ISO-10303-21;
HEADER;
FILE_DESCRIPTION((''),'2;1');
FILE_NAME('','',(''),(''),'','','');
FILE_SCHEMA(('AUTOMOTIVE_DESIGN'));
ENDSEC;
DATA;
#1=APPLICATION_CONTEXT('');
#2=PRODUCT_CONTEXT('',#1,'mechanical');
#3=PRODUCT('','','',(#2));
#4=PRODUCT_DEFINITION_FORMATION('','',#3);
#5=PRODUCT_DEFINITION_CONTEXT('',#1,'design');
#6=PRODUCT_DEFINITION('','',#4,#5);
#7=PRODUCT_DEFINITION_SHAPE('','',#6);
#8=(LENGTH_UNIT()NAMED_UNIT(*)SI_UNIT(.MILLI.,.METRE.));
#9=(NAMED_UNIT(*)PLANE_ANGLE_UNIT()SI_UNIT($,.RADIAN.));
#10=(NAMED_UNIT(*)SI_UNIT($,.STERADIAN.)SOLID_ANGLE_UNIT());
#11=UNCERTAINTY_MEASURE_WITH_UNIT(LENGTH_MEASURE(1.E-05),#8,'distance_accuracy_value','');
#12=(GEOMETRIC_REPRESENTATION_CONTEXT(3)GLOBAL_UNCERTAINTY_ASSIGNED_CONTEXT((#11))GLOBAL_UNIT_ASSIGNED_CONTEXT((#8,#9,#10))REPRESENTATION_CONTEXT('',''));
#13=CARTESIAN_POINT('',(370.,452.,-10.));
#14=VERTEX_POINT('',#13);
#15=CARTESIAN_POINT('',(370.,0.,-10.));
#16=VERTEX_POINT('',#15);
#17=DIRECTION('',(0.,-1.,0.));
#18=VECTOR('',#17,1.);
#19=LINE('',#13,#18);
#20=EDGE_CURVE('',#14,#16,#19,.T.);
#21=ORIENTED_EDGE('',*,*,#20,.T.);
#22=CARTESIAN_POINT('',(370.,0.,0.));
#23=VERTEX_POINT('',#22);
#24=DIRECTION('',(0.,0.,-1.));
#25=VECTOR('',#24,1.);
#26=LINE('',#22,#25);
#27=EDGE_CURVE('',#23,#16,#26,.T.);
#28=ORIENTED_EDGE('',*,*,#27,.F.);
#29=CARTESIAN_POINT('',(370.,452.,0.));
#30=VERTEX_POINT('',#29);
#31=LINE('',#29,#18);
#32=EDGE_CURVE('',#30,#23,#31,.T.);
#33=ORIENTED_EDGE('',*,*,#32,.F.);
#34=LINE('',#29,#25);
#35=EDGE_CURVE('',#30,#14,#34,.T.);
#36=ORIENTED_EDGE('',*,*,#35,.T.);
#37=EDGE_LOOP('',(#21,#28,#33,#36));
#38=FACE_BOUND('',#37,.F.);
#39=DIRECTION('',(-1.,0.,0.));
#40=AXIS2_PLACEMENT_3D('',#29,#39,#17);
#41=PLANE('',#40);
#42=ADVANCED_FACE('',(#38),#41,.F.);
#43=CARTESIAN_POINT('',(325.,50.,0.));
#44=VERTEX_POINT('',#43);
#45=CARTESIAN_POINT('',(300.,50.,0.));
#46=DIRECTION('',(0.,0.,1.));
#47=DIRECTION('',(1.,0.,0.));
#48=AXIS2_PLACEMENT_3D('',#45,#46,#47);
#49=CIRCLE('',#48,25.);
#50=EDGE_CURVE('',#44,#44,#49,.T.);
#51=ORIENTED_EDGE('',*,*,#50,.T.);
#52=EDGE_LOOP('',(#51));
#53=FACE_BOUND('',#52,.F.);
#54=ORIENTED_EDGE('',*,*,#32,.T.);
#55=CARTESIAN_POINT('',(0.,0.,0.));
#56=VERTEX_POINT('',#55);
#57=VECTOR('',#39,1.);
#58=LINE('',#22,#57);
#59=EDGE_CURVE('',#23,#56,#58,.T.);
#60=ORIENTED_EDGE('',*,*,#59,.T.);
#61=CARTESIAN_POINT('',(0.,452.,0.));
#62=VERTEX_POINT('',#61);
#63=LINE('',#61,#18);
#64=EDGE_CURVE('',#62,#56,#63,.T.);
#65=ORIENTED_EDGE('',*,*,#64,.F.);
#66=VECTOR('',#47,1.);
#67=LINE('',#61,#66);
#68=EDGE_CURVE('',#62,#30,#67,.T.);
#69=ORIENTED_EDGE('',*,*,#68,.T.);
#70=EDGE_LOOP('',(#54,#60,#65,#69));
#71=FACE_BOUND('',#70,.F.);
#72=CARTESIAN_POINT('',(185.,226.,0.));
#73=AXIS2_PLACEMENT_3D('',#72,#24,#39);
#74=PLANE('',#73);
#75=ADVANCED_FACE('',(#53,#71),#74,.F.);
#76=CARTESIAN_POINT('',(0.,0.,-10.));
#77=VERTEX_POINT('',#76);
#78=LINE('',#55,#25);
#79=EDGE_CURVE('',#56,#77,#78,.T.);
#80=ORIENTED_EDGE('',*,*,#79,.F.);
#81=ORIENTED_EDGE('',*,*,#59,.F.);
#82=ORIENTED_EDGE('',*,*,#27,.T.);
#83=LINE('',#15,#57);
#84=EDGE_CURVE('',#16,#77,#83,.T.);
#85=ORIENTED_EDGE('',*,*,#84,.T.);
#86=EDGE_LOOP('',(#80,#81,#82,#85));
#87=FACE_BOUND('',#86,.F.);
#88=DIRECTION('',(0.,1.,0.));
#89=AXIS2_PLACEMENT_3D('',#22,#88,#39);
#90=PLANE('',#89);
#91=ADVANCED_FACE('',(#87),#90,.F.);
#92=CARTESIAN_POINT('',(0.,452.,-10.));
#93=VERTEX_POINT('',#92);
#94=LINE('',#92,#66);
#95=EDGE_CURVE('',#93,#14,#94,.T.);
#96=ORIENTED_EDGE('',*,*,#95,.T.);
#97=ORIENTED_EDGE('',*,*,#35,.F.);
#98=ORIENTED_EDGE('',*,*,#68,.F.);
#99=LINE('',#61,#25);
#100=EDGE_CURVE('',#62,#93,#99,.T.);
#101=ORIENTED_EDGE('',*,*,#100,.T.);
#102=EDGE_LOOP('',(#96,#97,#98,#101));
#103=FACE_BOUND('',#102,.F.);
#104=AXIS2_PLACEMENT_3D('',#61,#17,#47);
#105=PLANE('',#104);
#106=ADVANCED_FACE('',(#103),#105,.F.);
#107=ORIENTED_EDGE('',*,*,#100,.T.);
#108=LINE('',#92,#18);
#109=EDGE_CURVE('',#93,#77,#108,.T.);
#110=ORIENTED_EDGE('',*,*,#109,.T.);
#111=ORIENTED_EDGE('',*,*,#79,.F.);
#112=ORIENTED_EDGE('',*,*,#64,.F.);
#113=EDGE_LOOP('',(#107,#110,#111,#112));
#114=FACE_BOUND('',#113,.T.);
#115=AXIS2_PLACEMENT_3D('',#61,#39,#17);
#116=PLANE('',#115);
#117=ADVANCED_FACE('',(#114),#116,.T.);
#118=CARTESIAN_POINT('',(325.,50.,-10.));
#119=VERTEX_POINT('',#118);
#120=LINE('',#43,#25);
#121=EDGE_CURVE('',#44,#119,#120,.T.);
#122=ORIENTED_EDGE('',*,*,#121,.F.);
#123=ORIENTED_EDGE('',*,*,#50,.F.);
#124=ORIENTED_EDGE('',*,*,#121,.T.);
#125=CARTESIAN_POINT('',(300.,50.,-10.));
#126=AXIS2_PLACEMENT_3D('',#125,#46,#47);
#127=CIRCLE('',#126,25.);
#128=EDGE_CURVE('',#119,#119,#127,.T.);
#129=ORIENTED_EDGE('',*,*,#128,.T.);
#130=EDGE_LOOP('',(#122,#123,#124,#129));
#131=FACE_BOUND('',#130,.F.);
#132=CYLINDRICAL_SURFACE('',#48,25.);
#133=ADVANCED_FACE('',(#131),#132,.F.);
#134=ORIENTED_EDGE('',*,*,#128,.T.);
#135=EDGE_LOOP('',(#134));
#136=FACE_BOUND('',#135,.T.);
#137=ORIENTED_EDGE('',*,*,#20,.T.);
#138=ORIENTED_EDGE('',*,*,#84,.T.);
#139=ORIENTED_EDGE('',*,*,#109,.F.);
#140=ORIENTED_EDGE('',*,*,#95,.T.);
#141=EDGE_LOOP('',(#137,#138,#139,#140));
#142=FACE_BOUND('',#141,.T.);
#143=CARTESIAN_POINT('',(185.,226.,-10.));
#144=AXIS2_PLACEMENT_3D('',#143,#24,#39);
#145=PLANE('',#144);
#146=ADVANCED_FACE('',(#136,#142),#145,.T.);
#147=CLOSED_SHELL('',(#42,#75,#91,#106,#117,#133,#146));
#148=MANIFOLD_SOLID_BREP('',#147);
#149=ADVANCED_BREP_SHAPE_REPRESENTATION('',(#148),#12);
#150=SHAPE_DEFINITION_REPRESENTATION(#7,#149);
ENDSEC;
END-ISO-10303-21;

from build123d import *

# Parameters (mm, degrees)
PAD_DEPTH    = 10
SKETCH002_R  = 25
POCKET_DEPTH = 10.001


with BuildPart() as part:
    # Sketch → Pad (new body)
    with BuildSketch(Plane.XY):
        Polygon((0, 413.879036), (0, 452), (370, 452), (370, 0), (0, 0), align=None)
    extrude(amount=-PAD_DEPTH)

    # Sketch002 (on Face6 of Pad) → Pocket (cut, through all)
    with BuildSketch(Plane.XY):
        with Locations((300, 50)):
            Circle(SKETCH002_R)
    extrude(amount=-POCKET_DEPTH, mode=Mode.SUBTRACT)


solid = part.part
